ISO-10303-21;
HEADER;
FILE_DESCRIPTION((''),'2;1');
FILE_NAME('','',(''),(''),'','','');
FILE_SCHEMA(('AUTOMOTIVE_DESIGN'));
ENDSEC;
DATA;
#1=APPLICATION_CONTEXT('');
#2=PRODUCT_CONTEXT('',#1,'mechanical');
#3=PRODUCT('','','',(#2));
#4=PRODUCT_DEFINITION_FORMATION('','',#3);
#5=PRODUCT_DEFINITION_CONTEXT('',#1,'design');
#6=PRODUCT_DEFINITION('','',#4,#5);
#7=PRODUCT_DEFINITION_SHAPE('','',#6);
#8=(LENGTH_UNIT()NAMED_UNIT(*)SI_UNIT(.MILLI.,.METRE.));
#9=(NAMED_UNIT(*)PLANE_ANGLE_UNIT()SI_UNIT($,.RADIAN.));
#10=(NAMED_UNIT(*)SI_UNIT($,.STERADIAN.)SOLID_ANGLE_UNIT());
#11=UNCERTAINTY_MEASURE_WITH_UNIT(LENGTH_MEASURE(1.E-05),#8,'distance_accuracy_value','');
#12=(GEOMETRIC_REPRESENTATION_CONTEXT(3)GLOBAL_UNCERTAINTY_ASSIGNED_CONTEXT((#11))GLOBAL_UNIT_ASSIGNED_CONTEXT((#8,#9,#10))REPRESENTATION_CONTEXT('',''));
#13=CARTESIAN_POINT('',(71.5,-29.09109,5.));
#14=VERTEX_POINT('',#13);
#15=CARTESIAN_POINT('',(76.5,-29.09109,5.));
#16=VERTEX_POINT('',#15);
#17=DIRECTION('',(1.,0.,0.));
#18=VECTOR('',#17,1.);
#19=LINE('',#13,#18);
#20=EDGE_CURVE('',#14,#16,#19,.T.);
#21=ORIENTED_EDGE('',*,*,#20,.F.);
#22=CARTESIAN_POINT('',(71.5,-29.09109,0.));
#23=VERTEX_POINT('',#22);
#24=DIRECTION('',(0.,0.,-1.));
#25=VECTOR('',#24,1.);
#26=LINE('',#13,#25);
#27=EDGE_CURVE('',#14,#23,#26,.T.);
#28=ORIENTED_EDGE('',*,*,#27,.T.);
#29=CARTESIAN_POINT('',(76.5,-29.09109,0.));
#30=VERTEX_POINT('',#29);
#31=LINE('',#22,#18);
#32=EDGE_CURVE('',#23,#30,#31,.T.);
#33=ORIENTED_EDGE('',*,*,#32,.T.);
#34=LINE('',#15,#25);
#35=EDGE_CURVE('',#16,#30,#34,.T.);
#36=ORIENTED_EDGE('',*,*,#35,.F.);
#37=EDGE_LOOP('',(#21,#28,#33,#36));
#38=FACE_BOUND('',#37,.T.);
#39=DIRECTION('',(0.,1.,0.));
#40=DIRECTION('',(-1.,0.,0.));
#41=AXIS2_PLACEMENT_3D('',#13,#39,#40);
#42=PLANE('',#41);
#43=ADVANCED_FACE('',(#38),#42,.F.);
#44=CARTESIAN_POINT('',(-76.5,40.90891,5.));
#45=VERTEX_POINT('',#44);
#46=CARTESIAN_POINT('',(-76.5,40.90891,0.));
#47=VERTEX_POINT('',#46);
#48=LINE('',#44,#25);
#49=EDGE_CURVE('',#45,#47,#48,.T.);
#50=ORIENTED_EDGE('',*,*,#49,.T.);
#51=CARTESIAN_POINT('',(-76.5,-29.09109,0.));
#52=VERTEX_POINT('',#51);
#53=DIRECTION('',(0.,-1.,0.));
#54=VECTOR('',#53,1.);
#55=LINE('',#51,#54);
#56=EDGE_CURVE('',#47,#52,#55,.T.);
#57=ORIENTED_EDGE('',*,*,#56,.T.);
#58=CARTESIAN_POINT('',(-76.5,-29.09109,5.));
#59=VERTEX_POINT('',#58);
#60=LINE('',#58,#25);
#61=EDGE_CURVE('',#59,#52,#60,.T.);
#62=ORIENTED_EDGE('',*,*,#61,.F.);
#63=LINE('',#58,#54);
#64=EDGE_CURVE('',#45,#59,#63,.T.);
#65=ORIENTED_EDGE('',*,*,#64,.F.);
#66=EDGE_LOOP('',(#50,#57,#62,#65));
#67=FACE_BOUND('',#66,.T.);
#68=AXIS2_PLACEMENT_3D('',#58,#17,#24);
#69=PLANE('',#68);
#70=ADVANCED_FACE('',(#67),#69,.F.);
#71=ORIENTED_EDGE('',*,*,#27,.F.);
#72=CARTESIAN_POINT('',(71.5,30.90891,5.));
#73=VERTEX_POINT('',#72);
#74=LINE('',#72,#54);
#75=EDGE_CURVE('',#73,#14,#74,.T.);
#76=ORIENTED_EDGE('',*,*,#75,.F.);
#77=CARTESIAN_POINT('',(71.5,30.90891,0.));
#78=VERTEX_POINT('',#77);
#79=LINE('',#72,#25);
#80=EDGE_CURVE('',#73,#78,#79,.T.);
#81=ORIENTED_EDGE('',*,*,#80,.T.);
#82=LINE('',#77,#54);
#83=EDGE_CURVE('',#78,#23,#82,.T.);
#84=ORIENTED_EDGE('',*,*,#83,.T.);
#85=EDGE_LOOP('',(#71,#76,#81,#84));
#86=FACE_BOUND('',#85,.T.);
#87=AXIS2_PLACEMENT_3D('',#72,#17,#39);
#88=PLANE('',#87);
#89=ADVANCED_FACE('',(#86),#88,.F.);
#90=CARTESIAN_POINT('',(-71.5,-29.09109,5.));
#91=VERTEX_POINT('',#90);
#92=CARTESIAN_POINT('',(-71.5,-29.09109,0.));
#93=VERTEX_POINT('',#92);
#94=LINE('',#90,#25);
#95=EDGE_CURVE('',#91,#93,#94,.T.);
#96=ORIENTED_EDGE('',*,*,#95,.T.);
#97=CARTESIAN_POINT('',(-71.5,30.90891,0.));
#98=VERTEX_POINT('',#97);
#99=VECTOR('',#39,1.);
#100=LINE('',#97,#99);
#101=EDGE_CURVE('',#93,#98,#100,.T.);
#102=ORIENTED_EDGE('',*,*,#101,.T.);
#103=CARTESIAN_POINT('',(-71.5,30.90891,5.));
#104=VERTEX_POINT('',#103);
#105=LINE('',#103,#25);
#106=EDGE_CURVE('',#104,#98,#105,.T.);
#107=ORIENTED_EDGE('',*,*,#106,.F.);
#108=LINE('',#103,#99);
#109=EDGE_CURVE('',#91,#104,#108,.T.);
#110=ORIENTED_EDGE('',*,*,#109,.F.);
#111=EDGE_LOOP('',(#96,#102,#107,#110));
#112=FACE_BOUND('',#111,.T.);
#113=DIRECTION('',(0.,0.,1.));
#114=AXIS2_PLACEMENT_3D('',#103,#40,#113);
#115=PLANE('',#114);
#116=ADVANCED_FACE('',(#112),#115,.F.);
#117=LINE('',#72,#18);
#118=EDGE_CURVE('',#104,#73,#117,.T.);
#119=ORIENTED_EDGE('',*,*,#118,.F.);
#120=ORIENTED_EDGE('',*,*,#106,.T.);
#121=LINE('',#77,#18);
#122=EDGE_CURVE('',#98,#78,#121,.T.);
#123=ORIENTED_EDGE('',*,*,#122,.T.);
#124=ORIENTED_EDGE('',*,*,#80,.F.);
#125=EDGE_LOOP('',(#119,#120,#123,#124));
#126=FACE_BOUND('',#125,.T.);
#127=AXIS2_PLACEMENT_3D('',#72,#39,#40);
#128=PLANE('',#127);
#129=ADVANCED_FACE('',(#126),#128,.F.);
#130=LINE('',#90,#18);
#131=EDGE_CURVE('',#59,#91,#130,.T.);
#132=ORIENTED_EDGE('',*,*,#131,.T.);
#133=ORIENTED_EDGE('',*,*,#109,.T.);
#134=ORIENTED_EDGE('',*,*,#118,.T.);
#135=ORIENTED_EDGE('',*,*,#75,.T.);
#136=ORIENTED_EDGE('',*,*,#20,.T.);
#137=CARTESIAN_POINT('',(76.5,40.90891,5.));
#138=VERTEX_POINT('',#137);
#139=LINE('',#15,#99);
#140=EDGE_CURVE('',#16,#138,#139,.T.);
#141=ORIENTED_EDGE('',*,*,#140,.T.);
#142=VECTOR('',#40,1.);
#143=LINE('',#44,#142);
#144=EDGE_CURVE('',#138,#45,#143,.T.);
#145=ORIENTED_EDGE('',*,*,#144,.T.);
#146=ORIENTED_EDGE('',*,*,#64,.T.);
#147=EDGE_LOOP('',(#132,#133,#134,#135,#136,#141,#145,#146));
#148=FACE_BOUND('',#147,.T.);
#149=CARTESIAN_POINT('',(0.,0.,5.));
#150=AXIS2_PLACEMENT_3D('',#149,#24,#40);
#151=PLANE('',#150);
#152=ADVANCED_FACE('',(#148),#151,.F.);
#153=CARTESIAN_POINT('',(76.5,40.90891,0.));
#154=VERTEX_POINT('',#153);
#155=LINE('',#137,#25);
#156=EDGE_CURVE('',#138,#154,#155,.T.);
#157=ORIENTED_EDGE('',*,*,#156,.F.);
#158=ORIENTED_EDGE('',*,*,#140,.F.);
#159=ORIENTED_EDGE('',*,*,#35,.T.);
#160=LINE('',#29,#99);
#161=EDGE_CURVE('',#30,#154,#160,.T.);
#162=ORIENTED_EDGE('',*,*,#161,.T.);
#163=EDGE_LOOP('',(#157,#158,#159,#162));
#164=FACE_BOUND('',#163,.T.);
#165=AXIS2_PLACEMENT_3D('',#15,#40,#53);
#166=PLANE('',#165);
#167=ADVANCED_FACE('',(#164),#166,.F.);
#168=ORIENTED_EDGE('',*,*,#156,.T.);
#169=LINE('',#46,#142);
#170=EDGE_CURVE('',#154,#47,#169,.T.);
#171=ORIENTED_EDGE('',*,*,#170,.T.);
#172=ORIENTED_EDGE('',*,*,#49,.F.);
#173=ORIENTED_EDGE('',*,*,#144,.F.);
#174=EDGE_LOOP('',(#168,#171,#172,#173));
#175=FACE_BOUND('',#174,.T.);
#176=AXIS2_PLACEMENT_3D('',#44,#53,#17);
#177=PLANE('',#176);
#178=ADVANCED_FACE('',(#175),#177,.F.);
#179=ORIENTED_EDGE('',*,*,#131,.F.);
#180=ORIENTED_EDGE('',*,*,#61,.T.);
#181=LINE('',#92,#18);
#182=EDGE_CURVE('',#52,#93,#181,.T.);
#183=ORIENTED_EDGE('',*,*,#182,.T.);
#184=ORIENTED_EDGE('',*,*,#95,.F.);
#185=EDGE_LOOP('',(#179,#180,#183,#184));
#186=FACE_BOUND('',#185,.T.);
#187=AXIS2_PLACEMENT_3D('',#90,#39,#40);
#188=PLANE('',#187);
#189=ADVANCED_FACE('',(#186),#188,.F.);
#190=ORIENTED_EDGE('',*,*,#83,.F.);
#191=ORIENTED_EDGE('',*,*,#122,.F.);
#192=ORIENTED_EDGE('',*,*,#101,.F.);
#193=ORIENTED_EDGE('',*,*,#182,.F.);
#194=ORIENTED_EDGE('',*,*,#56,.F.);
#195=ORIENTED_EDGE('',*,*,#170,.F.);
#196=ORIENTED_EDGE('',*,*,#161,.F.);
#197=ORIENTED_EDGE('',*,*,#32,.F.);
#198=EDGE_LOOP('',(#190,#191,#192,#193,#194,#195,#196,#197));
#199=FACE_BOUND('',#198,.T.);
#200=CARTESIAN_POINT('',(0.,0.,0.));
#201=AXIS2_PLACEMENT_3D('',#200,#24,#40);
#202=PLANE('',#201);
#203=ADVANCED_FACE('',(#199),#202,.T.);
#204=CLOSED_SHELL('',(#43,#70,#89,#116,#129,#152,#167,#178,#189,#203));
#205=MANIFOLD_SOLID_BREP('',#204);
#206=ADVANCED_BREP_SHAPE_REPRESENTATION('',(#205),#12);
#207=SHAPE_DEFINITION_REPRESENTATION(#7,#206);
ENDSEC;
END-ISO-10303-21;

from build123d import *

# Parameters (mm, degrees)
EXTRUDE_1_DEPTH = 5


with BuildPart() as part:
    # 草图1 → 凸台-拉伸1 (new body)
    with BuildSketch(Plane.XY):
        Polygon((71.5, 30.90890961), (-71.5, 30.90890961), (-71.5, -29.09109039), (-76.5, -29.09109039), (-76.5, 40.90890961), (76.5, 40.90890961), (76.5, -29.09109039), (71.5, -29.09109039), align=None)
    extrude(amount=EXTRUDE_1_DEPTH)


solid = part.part
